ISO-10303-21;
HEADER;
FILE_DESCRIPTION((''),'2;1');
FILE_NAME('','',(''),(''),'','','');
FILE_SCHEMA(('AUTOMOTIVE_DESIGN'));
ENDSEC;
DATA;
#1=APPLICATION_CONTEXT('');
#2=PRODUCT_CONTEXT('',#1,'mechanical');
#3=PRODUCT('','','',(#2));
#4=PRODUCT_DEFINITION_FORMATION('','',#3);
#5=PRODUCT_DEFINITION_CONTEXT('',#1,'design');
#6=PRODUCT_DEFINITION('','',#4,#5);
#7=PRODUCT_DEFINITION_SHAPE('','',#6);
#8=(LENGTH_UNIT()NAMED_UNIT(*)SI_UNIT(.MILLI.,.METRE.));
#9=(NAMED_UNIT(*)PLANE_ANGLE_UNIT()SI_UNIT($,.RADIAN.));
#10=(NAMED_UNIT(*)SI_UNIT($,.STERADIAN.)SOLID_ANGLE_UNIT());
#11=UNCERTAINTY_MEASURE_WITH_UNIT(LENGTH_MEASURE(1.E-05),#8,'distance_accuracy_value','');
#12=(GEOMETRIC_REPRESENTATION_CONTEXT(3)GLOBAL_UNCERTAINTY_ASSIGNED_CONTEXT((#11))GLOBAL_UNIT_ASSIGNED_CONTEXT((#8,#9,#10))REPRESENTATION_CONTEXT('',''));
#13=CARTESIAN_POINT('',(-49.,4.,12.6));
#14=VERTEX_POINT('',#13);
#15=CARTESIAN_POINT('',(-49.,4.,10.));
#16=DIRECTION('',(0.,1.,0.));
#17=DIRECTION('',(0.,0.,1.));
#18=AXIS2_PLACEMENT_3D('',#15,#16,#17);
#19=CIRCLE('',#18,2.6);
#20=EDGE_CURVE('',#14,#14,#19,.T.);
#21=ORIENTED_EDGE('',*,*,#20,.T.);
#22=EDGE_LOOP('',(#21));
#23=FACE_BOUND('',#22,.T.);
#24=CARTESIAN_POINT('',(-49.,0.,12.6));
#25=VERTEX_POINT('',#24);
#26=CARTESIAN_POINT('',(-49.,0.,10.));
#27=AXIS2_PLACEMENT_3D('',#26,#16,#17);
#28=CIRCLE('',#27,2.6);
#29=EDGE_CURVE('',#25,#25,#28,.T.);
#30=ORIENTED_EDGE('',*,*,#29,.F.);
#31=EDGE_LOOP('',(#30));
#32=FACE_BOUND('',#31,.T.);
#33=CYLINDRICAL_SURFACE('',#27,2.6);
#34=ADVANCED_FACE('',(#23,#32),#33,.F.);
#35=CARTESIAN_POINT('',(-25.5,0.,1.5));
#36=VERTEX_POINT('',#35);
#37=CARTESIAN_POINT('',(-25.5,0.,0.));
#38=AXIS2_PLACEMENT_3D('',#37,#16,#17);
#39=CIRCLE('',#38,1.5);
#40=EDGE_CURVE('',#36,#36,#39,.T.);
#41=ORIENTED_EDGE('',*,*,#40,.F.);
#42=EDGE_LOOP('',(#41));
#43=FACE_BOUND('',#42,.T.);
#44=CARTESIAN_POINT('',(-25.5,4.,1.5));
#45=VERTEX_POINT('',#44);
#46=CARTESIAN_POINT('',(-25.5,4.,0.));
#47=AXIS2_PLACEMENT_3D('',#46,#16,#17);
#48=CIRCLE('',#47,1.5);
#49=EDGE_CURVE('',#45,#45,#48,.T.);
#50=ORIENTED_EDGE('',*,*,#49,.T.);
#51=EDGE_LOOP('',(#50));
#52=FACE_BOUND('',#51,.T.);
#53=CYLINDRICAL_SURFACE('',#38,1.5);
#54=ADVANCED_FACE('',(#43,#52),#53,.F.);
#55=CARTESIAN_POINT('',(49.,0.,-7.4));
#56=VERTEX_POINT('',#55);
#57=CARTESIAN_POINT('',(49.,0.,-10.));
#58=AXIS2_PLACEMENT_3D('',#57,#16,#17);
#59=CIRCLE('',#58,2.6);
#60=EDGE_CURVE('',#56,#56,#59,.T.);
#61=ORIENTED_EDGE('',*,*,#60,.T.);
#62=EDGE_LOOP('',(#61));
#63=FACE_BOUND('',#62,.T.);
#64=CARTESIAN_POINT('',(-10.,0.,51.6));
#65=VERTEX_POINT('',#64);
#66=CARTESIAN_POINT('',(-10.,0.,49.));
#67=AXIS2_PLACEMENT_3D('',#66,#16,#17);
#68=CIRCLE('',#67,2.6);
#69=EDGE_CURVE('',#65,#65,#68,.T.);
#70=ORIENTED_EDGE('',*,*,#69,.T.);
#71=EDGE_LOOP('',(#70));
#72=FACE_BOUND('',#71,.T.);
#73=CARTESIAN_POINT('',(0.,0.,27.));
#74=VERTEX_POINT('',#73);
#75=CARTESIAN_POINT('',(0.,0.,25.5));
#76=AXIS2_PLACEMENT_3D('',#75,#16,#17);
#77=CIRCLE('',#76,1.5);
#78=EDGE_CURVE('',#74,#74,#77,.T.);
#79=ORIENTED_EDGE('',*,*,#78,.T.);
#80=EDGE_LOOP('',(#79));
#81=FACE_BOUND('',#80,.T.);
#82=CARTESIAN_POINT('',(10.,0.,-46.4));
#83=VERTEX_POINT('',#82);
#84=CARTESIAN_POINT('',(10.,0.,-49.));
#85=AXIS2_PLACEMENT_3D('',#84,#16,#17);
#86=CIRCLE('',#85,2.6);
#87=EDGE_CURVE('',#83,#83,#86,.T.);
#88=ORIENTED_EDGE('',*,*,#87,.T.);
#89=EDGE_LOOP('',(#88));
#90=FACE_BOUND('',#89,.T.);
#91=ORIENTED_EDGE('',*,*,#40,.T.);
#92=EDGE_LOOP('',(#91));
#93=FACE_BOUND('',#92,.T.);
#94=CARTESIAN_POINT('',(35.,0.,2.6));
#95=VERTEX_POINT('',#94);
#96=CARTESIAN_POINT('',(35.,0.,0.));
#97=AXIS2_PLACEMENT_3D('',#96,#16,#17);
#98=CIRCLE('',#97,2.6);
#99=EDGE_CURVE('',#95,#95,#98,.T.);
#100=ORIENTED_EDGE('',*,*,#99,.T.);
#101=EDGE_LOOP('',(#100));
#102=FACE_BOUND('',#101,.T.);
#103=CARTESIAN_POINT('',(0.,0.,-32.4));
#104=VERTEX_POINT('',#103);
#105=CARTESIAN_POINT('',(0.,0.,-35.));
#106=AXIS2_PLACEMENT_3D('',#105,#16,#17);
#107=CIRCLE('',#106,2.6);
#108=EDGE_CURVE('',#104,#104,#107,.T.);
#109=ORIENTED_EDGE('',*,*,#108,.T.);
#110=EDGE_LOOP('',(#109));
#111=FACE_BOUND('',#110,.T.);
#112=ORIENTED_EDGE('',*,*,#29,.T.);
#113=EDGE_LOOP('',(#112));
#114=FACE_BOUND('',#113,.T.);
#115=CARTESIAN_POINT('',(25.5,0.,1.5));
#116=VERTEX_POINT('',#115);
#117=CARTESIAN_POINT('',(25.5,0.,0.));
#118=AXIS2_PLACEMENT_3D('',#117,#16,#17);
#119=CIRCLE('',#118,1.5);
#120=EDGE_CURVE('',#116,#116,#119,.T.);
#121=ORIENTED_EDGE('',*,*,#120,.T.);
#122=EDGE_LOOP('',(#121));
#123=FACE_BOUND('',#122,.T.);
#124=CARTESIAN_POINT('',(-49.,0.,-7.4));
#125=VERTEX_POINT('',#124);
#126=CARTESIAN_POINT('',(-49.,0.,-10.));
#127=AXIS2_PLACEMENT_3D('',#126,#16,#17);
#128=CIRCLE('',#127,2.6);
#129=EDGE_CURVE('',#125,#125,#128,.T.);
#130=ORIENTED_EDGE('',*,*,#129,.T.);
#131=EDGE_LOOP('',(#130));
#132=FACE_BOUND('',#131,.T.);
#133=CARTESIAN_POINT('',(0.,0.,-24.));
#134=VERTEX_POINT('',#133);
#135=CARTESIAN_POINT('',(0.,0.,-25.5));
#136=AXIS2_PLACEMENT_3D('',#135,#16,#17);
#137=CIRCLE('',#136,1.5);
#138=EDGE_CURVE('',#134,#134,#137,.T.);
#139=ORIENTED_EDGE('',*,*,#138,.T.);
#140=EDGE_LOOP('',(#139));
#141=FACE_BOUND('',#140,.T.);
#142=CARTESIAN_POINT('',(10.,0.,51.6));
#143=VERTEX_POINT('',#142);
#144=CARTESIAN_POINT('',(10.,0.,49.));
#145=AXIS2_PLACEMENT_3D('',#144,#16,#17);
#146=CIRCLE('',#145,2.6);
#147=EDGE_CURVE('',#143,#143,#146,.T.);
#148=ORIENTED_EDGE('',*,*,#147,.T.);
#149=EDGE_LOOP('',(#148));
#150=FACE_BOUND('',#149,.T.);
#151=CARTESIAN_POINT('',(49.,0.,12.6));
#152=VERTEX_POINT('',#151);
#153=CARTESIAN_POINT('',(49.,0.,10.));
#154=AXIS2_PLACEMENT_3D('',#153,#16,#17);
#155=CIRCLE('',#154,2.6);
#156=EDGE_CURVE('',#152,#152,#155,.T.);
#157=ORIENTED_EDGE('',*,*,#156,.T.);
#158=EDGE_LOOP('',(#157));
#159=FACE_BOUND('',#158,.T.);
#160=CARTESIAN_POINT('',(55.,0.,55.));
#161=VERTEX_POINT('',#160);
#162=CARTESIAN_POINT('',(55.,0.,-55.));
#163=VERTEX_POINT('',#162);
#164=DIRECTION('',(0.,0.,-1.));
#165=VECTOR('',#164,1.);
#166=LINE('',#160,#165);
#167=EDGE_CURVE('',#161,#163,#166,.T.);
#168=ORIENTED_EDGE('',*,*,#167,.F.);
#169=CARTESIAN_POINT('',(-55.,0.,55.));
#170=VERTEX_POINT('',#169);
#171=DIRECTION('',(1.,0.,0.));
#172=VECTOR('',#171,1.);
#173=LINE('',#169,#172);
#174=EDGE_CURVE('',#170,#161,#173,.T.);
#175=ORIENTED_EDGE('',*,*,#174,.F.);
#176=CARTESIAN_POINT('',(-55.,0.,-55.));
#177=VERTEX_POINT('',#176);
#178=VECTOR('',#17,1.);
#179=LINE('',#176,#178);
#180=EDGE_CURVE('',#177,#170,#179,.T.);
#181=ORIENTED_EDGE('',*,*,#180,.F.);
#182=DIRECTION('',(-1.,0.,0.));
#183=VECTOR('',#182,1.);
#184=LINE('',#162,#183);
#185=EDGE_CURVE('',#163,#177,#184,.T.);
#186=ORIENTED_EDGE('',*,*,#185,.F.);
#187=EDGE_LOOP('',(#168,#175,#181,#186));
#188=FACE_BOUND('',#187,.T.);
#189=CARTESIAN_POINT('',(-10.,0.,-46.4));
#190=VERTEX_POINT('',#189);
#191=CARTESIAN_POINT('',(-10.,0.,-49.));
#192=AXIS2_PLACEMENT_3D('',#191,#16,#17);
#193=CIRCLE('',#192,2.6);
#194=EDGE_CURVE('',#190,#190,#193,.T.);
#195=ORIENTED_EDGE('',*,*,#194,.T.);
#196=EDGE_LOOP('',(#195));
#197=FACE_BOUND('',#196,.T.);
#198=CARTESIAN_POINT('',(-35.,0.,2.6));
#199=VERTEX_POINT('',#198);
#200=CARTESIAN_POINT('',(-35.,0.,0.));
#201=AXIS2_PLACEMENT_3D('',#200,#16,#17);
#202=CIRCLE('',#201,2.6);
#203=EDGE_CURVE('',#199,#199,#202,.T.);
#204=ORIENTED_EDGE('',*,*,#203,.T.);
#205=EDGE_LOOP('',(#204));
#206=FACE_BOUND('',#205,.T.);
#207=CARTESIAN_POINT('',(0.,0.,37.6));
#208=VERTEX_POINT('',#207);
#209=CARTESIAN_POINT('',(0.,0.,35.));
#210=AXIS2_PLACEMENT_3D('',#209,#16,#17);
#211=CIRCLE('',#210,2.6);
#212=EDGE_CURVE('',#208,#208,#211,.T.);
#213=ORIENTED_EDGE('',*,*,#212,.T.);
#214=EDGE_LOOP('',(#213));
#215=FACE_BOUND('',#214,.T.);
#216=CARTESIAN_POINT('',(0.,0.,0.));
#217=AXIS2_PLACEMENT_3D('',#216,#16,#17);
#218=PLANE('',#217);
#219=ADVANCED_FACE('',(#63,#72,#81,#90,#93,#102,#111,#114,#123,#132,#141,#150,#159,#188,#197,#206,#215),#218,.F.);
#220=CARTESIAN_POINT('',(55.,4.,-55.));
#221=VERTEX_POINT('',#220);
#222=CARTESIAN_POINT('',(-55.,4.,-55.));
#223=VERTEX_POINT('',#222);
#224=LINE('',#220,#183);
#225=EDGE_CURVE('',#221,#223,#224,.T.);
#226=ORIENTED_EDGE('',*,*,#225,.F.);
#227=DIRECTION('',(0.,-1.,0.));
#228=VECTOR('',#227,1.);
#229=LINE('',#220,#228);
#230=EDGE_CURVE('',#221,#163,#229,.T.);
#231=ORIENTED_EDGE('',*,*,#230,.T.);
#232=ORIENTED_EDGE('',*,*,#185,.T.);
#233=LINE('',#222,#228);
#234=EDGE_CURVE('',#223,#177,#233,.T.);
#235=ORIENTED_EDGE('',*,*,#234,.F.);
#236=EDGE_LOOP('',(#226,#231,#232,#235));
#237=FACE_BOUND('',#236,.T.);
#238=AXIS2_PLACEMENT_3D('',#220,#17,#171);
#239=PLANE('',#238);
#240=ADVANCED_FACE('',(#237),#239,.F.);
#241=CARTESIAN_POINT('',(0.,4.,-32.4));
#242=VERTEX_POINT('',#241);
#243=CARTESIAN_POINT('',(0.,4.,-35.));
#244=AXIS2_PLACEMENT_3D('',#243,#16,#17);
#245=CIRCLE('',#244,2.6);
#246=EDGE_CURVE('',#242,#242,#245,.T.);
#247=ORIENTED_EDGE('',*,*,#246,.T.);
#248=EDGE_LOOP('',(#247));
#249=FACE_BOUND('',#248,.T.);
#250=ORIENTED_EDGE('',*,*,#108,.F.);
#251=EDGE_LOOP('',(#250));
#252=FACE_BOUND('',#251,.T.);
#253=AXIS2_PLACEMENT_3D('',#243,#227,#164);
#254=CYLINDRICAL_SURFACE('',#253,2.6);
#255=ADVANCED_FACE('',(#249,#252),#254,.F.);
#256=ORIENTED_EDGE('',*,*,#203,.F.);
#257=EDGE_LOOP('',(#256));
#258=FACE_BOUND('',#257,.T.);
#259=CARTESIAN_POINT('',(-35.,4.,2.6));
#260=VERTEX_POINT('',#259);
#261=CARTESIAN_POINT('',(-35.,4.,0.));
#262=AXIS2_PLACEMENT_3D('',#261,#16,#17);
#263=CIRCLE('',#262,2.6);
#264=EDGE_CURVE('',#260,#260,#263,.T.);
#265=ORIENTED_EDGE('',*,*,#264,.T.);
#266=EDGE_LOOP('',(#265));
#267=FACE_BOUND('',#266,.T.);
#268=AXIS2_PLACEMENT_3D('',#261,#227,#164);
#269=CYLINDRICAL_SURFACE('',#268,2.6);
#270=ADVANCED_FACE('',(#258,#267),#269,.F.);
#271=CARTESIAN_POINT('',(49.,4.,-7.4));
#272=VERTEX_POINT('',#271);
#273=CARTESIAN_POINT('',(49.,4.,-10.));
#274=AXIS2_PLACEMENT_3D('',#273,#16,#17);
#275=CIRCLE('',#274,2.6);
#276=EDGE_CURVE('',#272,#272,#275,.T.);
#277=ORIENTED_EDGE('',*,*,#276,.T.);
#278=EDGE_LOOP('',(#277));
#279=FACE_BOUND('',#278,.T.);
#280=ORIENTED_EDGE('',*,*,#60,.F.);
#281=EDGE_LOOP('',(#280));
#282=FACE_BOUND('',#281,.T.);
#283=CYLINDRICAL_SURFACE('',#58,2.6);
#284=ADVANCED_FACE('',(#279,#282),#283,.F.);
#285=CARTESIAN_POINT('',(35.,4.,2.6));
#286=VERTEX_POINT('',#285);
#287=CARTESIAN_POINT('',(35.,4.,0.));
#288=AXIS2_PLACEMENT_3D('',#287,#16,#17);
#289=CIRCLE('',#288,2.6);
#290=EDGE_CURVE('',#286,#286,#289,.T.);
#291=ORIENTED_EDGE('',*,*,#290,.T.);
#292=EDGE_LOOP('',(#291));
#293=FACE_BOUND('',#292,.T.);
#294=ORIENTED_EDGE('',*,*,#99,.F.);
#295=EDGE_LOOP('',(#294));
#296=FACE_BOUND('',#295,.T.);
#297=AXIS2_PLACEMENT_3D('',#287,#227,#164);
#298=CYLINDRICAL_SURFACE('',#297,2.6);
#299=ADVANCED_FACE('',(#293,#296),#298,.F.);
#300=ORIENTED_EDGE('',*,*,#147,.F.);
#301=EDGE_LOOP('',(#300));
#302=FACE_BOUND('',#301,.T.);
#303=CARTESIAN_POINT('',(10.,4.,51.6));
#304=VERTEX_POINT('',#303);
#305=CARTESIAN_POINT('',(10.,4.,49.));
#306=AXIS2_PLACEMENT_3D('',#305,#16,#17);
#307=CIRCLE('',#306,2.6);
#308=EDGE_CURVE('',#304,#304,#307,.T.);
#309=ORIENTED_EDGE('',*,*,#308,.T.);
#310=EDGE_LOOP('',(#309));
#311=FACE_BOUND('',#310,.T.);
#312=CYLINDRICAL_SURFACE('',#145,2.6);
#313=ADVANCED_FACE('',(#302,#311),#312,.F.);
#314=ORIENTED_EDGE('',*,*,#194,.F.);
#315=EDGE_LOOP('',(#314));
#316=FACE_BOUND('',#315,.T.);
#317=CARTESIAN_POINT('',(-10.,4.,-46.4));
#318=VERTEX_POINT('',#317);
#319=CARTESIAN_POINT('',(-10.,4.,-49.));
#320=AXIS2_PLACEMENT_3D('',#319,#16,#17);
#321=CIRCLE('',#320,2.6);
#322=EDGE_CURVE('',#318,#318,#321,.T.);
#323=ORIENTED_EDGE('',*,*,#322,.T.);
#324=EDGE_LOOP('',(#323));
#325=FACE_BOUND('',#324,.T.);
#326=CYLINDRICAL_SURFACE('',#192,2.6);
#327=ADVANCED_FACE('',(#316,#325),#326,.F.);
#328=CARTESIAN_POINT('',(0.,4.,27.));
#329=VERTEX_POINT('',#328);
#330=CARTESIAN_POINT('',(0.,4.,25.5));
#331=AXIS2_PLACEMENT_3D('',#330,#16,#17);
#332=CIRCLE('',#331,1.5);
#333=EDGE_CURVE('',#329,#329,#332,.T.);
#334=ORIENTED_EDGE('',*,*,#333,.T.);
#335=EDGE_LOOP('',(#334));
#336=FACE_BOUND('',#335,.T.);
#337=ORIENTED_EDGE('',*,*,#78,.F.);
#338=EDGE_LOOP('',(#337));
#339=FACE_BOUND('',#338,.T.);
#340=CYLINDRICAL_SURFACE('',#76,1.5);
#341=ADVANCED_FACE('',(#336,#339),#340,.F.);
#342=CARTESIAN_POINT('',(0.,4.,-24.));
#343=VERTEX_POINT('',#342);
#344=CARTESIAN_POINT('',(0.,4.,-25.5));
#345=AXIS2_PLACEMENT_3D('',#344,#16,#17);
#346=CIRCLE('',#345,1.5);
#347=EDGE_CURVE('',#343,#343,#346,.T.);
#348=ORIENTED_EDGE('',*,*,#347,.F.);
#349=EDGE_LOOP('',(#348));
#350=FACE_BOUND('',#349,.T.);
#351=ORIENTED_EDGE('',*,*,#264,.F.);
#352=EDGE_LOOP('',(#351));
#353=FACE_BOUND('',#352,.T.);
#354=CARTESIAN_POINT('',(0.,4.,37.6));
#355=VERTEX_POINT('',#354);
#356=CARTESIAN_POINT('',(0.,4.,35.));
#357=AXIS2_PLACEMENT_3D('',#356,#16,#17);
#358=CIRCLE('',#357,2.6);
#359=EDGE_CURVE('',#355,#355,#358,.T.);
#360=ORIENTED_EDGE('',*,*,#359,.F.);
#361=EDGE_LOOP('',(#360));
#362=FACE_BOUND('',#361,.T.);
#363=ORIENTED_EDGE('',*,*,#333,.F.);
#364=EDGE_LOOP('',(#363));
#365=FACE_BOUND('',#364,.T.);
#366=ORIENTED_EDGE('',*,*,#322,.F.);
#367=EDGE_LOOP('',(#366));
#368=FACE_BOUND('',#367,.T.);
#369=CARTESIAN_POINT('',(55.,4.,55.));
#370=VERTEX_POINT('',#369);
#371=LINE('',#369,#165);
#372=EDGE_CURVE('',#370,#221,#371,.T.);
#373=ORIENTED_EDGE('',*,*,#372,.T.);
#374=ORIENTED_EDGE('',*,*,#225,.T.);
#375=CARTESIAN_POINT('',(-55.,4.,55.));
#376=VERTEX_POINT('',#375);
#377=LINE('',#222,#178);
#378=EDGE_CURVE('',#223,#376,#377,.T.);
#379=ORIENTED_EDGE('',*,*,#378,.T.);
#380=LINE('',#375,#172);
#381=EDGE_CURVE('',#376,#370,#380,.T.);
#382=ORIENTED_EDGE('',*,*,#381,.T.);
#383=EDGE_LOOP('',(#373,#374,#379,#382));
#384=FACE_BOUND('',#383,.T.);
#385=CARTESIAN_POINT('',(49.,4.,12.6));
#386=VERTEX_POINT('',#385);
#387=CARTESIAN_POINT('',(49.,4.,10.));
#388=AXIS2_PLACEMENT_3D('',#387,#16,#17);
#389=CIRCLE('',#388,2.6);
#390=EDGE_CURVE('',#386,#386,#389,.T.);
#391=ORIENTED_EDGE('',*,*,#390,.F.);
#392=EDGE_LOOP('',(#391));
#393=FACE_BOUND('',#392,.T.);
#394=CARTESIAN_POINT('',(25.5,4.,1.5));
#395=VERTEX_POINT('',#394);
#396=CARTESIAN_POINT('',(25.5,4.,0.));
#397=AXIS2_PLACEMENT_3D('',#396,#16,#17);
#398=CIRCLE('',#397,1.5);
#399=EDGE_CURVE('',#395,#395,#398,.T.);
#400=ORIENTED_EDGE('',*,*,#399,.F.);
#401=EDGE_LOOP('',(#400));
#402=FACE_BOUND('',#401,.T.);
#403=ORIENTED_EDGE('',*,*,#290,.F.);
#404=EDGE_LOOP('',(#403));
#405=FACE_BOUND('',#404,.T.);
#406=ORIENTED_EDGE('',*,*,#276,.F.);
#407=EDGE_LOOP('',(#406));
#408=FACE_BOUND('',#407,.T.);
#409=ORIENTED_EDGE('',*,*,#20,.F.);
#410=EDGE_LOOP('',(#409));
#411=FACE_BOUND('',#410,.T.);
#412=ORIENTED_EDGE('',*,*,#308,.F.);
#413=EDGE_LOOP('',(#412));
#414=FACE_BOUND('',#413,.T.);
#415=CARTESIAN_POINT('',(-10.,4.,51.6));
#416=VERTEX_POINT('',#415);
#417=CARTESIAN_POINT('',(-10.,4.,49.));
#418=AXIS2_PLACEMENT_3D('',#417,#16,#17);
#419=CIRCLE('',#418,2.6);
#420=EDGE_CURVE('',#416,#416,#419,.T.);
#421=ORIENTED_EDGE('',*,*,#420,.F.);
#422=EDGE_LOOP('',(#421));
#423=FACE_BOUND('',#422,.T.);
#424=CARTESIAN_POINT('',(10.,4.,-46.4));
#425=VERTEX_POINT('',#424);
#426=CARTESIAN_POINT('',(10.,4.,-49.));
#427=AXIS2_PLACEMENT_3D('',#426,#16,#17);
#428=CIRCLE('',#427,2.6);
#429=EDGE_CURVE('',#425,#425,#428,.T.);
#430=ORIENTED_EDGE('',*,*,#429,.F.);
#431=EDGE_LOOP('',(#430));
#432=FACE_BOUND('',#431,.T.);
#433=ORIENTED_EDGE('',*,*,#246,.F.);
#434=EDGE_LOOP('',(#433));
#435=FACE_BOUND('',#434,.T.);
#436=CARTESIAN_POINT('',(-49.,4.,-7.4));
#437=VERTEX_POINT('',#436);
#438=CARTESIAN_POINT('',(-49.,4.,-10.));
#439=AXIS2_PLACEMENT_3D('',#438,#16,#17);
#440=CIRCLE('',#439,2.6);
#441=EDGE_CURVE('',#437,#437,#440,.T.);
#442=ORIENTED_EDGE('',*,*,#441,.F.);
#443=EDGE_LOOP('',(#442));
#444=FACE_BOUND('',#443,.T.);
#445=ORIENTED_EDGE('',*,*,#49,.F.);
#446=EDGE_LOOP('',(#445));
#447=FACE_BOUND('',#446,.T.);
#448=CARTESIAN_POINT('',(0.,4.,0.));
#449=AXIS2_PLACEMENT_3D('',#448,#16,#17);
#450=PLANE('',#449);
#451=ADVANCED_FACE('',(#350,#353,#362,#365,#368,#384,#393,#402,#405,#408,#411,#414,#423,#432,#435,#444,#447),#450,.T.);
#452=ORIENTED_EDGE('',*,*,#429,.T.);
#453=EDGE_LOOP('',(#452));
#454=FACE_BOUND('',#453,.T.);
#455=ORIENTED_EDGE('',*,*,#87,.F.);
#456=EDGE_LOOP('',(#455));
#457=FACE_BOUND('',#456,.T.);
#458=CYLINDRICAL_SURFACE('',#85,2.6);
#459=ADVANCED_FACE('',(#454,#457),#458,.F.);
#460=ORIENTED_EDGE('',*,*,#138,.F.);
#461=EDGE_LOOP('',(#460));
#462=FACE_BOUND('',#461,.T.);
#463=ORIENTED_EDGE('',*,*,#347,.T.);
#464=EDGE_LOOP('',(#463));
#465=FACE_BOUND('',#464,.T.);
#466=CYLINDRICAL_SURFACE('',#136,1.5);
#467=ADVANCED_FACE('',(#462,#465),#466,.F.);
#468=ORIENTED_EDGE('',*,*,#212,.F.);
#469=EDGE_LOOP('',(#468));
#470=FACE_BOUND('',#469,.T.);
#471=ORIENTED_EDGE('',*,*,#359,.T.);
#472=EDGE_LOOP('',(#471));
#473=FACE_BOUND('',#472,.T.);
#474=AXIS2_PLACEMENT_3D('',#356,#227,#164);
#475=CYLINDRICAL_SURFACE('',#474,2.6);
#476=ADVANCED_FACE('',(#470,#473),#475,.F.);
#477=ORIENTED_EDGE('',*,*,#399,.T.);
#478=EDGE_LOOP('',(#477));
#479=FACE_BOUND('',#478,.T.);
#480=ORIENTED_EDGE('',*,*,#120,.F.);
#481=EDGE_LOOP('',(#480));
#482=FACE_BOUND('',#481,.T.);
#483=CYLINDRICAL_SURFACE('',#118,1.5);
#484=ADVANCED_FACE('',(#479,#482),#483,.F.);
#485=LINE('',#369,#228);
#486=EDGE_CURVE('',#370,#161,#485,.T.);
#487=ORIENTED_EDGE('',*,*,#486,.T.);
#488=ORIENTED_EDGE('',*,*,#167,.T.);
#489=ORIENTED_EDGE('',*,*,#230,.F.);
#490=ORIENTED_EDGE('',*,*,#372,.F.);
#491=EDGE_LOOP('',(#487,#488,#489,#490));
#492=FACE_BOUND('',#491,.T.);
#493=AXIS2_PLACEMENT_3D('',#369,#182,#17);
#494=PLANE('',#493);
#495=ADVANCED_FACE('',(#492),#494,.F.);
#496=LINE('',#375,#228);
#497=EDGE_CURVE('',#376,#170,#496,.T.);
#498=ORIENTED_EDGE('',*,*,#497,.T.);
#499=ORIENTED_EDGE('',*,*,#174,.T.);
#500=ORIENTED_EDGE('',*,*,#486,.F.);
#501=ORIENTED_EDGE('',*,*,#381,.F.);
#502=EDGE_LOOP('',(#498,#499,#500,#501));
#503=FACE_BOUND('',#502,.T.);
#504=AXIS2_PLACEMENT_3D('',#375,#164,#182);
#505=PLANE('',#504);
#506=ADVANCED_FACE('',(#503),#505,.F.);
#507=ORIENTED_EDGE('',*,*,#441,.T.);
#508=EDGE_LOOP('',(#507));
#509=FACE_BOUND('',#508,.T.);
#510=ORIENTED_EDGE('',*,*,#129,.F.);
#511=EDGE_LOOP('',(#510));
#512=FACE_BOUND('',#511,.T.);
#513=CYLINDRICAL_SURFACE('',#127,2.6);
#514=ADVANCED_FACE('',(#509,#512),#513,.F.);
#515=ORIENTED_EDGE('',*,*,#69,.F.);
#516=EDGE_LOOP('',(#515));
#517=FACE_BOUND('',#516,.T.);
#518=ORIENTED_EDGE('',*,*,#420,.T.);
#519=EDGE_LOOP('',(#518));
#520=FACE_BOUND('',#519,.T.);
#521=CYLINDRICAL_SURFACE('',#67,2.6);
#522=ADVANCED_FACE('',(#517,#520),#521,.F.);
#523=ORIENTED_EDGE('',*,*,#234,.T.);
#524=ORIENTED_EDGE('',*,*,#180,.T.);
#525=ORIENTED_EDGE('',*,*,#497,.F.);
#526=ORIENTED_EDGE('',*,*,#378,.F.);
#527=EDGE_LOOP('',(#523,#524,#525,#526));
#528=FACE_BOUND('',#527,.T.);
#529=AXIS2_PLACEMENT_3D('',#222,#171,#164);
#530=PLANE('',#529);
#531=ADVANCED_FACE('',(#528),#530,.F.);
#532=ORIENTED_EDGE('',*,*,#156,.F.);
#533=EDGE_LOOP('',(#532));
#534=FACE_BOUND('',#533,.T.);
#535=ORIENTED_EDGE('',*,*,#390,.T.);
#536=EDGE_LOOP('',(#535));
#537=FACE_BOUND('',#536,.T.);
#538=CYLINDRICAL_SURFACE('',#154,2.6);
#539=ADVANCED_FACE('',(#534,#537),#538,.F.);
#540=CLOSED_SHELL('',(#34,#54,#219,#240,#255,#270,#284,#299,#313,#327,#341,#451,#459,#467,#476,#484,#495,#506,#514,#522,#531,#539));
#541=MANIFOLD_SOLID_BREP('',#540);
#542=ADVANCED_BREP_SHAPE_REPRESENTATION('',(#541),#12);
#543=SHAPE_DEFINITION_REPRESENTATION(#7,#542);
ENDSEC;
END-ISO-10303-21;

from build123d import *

# Parameters (mm, degrees)
SKETCH_1_W          = 110
SKETCH_1_H          = 110
EXTRUDE_1_DEPTH     = 4
SKETCH_2_R          = 2.6
CUT_EXTRUDE_1_DEPTH = 78.884529914
SKETCH_3_R          = 1.5
CUT_EXTRUDE_2_DEPTH = 78.884529914
SKETCH_4_R          = 2.6
CUT_EXTRUDE_3_DEPTH = 78.884529914


with BuildPart() as part:
    # 草图1 → 凸台-拉伸1 (new body)
    with BuildSketch(Plane(origin=(0, 0, 0), x_dir=(1, 0, 0), z_dir=(0, 1, 0))):
        Rectangle(SKETCH_1_W, SKETCH_1_H)
    extrude(amount=EXTRUDE_1_DEPTH)

    # 草图2 → 切除-拉伸1 (cut, through all)
    with BuildSketch(Plane(origin=(0, 0, 0), x_dir=(1, 0, 0), z_dir=(0, 1, 0))):
        with Locations(Location((0, 35, 0), (0, 0, 270))):
            Circle(SKETCH_2_R)
        with Locations(Location((35, 0, 0), (0, 0, 270))):
            Circle(SKETCH_2_R)
        with Locations(Location((0, -35, 0), (0, 0, 270))):
            Circle(SKETCH_2_R)
        with Locations(Location((-35, 0, 0), (0, 0, 270))):
            Circle(SKETCH_2_R)
    extrude(amount=CUT_EXTRUDE_1_DEPTH, mode=Mode.SUBTRACT)

    # 草图3 → 切除-拉伸2 (cut, through all)
    with BuildSketch(Plane(origin=(0, 4, 0), x_dir=(1, 0, 0), z_dir=(0, 1, 0))):
        with Locations(Location((0, 25.5, 0), (0, 0, 270))):
            Circle(SKETCH_3_R)
        with Locations(Location((25.5, 0, 0), (0, 0, 270))):
            Circle(SKETCH_3_R)
        with Locations(Location((0, -25.5, 0), (0, 0, 270))):
            Circle(SKETCH_3_R)
        with Locations(Location((-25.5, 0, 0), (0, 0, 270))):
            Circle(SKETCH_3_R)
    extrude(amount=-CUT_EXTRUDE_2_DEPTH, mode=Mode.SUBTRACT)

    # 草图4 → 切除-拉伸3 (cut, through all)
    with BuildSketch(Plane(origin=(0, 4, 0), x_dir=(1, 0, 0), z_dir=(0, 1, 0))):
        with Locations(Location((-10, 49, 0), (0, 0, 270))):
            Circle(SKETCH_4_R)
        with Locations(Location((10, 49, 0), (0, 0, 270))):
            Circle(SKETCH_4_R)
        with Locations(Location((49, 10, 0), (0, 0, 270))):
            Circle(SKETCH_4_R)
        with Locations(Location((49, -10, 0), (0, 0, 270))):
            Circle(SKETCH_4_R)
        with Locations(Location((10, -49, 0), (0, 0, 270))):
            Circle(SKETCH_4_R)
        with Locations(Location((-10, -49, 0), (0, 0, 270))):
            Circle(SKETCH_4_R)
        with Locations(Location((-49, -10, 0), (0, 0, 270))):
            Circle(SKETCH_4_R)
        with Locations(Location((-49, 10, 0), (0, 0, 270))):
            Circle(SKETCH_4_R)
    extrude(amount=-CUT_EXTRUDE_3_DEPTH, mode=Mode.SUBTRACT)


solid = part.part
